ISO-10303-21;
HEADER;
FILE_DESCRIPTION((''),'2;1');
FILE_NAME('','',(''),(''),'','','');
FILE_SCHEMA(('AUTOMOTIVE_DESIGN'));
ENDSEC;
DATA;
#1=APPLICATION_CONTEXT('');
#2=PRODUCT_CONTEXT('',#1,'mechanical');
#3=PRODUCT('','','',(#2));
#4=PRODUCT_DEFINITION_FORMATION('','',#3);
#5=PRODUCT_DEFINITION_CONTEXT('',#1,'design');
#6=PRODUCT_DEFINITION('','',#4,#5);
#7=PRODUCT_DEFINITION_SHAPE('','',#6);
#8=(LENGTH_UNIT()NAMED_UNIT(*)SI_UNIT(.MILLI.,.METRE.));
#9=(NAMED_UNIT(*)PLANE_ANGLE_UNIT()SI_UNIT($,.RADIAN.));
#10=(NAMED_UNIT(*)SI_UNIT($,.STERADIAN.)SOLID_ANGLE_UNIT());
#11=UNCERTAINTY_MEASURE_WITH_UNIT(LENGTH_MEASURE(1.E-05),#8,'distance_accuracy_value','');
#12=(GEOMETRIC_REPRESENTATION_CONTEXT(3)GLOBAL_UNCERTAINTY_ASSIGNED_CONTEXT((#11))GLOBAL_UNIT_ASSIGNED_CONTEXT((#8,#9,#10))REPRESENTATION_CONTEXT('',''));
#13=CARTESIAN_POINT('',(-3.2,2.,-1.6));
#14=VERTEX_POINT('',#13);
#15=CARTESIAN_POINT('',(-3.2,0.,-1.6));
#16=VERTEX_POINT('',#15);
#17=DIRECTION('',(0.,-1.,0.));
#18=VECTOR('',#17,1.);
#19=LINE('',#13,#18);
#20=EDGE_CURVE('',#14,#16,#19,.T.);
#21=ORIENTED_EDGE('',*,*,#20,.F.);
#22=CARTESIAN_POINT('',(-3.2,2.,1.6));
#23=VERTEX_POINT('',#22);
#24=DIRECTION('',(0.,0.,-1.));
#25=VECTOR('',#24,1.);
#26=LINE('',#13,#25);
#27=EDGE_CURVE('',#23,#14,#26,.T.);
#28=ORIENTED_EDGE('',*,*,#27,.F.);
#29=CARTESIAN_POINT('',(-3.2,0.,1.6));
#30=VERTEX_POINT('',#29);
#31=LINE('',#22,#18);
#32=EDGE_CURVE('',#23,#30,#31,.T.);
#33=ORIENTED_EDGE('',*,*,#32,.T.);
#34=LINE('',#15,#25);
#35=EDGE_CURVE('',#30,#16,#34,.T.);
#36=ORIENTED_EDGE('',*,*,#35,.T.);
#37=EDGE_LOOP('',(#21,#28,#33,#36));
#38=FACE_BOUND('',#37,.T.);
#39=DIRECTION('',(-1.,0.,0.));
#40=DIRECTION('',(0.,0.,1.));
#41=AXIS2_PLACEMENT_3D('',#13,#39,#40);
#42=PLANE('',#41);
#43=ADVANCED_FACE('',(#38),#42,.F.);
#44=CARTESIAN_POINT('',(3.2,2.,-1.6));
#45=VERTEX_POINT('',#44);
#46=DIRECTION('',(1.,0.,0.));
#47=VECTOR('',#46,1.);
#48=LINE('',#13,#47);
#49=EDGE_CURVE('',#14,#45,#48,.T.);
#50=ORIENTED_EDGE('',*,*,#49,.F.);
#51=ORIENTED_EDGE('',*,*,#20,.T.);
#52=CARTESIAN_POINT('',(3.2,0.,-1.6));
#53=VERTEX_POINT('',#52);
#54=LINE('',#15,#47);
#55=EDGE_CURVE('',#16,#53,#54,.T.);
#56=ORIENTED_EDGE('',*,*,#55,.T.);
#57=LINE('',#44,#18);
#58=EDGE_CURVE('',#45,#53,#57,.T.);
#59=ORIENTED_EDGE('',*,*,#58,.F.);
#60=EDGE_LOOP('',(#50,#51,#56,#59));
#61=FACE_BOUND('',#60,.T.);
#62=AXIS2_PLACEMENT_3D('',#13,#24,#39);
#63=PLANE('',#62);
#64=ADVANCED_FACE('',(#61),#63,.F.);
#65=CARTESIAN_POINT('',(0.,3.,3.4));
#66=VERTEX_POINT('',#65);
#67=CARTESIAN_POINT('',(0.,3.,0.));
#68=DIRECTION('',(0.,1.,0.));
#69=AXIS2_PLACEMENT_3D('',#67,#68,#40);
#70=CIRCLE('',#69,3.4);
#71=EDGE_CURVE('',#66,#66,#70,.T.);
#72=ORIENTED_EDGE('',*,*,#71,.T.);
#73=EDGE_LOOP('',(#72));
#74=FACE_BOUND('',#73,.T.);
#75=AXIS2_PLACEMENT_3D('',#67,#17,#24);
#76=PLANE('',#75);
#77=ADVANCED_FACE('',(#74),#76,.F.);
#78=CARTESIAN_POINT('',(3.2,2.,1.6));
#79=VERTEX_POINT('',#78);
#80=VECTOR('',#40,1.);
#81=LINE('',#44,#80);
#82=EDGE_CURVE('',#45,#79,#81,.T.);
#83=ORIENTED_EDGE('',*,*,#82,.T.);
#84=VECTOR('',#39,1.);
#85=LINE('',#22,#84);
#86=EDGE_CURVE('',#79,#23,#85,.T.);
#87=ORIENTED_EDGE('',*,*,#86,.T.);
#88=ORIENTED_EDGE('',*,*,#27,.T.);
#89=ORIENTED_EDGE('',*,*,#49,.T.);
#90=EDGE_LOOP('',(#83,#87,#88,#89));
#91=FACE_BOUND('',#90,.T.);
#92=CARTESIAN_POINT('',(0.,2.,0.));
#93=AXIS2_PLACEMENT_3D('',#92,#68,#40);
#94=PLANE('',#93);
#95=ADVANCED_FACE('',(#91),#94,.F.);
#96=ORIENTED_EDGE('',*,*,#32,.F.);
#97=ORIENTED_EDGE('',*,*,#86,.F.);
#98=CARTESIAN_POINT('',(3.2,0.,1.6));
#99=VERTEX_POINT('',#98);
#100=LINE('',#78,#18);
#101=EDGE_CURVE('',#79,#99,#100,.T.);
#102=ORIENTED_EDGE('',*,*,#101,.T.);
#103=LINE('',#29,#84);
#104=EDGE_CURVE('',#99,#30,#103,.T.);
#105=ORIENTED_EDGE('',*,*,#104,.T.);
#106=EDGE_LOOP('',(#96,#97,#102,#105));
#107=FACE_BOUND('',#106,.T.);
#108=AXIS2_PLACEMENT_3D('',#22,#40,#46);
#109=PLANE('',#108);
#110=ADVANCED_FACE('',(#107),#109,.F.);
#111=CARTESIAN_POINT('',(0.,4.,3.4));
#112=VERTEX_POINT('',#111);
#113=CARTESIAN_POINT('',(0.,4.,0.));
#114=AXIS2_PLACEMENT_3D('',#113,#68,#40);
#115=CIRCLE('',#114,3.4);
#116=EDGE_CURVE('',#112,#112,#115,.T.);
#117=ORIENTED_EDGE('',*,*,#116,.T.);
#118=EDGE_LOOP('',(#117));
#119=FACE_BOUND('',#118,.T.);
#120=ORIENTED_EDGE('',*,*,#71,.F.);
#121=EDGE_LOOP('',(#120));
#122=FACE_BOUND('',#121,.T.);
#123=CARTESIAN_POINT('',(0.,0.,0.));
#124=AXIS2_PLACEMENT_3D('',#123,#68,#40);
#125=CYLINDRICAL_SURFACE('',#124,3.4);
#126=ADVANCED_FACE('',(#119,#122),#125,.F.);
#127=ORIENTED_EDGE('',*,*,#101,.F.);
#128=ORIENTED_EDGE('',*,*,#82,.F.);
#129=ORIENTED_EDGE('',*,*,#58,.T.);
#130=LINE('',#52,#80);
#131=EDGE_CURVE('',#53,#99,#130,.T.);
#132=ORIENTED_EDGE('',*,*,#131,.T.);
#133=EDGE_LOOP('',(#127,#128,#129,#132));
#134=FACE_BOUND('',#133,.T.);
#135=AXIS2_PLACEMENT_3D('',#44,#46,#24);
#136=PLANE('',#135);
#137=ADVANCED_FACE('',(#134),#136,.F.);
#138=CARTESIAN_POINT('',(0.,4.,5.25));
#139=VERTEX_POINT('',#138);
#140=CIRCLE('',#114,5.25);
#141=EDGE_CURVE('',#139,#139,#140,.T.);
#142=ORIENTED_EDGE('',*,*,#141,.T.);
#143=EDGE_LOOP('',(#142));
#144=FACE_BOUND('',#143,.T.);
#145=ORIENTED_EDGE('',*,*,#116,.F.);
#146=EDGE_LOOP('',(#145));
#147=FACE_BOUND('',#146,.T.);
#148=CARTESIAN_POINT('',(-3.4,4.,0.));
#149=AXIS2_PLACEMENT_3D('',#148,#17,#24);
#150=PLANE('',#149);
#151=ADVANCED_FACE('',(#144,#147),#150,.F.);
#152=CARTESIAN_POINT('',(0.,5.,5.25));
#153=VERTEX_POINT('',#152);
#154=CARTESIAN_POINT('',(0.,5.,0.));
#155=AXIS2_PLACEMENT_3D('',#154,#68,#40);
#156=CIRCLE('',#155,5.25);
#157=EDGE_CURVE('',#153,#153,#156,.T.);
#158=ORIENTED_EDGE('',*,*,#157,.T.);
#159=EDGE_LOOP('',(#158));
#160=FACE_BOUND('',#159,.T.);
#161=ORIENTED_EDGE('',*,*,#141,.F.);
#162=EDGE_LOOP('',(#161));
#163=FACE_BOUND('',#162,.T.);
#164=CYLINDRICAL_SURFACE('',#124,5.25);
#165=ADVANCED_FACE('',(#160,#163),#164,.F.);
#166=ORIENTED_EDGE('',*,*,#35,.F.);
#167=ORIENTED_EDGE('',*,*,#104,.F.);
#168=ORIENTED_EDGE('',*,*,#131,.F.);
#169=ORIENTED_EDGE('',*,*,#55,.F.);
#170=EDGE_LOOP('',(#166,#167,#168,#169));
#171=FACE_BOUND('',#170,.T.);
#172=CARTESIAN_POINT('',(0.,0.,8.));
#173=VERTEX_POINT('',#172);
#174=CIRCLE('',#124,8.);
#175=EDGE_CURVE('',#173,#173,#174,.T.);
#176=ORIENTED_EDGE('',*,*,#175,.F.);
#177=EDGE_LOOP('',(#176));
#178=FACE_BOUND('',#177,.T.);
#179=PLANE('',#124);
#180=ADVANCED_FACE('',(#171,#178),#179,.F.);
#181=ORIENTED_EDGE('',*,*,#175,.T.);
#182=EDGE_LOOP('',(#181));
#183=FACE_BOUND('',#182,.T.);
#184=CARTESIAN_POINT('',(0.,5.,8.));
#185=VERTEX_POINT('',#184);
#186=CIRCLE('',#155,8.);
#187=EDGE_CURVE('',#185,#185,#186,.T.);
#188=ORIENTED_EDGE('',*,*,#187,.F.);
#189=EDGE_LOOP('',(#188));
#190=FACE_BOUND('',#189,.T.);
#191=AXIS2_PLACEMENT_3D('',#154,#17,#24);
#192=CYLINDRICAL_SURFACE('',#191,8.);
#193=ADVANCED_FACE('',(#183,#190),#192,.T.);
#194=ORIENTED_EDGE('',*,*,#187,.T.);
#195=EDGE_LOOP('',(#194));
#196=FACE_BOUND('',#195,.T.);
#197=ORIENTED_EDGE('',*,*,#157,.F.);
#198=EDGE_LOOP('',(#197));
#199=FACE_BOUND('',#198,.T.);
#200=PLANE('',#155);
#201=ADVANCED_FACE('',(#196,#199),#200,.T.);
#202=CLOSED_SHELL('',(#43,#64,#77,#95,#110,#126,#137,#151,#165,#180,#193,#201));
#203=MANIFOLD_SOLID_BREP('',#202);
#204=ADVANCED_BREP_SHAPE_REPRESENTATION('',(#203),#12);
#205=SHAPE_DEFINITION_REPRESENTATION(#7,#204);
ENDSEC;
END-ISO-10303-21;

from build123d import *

# Parameters (mm, degrees)
SKETCH1_R           = 8
BOSS_EXTRUDE1_DEPTH = 5
SKETCH2_W           = 6.4
SKETCH2_H           = 3.2
CUT_EXTRUDE1_DEPTH  = 2


with BuildPart() as part:
    # Sketch1 → Boss-Extrude1 (new body)
    with BuildSketch(Plane(origin=(0, 0, 0), x_dir=(1, 0, 0), z_dir=(0, 1, 0))):
        with Locations(Location((0, 0, 0), (0, 0, 270))):
            Circle(SKETCH1_R)
    extrude(amount=BOSS_EXTRUDE1_DEPTH)

    # Sketch2 → Cut-Extrude1 (cut)
    with BuildSketch(Plane.XZ):
        Rectangle(SKETCH2_W, SKETCH2_H)
    extrude(amount=-CUT_EXTRUDE1_DEPTH, mode=Mode.SUBTRACT)

    # Sketch3 → Cut-Revolve1 (revolve, cut)
    with BuildSketch(Plane.XY, mode=Mode.PRIVATE) as cut_revolve1_sk:
        Polygon((0, 3), (-3.4, 3), (-3.4, 4), (-5.25, 4), (-5.25, 5), (0, 5), align=None)
    revolve(cut_revolve1_sk.sketch.rotate(Axis((0, 0, 0), (0, -1, 0)), 270), axis=Axis((0, 0, 0), (0, -1, 0)), mode=Mode.SUBTRACT)


solid = part.part
